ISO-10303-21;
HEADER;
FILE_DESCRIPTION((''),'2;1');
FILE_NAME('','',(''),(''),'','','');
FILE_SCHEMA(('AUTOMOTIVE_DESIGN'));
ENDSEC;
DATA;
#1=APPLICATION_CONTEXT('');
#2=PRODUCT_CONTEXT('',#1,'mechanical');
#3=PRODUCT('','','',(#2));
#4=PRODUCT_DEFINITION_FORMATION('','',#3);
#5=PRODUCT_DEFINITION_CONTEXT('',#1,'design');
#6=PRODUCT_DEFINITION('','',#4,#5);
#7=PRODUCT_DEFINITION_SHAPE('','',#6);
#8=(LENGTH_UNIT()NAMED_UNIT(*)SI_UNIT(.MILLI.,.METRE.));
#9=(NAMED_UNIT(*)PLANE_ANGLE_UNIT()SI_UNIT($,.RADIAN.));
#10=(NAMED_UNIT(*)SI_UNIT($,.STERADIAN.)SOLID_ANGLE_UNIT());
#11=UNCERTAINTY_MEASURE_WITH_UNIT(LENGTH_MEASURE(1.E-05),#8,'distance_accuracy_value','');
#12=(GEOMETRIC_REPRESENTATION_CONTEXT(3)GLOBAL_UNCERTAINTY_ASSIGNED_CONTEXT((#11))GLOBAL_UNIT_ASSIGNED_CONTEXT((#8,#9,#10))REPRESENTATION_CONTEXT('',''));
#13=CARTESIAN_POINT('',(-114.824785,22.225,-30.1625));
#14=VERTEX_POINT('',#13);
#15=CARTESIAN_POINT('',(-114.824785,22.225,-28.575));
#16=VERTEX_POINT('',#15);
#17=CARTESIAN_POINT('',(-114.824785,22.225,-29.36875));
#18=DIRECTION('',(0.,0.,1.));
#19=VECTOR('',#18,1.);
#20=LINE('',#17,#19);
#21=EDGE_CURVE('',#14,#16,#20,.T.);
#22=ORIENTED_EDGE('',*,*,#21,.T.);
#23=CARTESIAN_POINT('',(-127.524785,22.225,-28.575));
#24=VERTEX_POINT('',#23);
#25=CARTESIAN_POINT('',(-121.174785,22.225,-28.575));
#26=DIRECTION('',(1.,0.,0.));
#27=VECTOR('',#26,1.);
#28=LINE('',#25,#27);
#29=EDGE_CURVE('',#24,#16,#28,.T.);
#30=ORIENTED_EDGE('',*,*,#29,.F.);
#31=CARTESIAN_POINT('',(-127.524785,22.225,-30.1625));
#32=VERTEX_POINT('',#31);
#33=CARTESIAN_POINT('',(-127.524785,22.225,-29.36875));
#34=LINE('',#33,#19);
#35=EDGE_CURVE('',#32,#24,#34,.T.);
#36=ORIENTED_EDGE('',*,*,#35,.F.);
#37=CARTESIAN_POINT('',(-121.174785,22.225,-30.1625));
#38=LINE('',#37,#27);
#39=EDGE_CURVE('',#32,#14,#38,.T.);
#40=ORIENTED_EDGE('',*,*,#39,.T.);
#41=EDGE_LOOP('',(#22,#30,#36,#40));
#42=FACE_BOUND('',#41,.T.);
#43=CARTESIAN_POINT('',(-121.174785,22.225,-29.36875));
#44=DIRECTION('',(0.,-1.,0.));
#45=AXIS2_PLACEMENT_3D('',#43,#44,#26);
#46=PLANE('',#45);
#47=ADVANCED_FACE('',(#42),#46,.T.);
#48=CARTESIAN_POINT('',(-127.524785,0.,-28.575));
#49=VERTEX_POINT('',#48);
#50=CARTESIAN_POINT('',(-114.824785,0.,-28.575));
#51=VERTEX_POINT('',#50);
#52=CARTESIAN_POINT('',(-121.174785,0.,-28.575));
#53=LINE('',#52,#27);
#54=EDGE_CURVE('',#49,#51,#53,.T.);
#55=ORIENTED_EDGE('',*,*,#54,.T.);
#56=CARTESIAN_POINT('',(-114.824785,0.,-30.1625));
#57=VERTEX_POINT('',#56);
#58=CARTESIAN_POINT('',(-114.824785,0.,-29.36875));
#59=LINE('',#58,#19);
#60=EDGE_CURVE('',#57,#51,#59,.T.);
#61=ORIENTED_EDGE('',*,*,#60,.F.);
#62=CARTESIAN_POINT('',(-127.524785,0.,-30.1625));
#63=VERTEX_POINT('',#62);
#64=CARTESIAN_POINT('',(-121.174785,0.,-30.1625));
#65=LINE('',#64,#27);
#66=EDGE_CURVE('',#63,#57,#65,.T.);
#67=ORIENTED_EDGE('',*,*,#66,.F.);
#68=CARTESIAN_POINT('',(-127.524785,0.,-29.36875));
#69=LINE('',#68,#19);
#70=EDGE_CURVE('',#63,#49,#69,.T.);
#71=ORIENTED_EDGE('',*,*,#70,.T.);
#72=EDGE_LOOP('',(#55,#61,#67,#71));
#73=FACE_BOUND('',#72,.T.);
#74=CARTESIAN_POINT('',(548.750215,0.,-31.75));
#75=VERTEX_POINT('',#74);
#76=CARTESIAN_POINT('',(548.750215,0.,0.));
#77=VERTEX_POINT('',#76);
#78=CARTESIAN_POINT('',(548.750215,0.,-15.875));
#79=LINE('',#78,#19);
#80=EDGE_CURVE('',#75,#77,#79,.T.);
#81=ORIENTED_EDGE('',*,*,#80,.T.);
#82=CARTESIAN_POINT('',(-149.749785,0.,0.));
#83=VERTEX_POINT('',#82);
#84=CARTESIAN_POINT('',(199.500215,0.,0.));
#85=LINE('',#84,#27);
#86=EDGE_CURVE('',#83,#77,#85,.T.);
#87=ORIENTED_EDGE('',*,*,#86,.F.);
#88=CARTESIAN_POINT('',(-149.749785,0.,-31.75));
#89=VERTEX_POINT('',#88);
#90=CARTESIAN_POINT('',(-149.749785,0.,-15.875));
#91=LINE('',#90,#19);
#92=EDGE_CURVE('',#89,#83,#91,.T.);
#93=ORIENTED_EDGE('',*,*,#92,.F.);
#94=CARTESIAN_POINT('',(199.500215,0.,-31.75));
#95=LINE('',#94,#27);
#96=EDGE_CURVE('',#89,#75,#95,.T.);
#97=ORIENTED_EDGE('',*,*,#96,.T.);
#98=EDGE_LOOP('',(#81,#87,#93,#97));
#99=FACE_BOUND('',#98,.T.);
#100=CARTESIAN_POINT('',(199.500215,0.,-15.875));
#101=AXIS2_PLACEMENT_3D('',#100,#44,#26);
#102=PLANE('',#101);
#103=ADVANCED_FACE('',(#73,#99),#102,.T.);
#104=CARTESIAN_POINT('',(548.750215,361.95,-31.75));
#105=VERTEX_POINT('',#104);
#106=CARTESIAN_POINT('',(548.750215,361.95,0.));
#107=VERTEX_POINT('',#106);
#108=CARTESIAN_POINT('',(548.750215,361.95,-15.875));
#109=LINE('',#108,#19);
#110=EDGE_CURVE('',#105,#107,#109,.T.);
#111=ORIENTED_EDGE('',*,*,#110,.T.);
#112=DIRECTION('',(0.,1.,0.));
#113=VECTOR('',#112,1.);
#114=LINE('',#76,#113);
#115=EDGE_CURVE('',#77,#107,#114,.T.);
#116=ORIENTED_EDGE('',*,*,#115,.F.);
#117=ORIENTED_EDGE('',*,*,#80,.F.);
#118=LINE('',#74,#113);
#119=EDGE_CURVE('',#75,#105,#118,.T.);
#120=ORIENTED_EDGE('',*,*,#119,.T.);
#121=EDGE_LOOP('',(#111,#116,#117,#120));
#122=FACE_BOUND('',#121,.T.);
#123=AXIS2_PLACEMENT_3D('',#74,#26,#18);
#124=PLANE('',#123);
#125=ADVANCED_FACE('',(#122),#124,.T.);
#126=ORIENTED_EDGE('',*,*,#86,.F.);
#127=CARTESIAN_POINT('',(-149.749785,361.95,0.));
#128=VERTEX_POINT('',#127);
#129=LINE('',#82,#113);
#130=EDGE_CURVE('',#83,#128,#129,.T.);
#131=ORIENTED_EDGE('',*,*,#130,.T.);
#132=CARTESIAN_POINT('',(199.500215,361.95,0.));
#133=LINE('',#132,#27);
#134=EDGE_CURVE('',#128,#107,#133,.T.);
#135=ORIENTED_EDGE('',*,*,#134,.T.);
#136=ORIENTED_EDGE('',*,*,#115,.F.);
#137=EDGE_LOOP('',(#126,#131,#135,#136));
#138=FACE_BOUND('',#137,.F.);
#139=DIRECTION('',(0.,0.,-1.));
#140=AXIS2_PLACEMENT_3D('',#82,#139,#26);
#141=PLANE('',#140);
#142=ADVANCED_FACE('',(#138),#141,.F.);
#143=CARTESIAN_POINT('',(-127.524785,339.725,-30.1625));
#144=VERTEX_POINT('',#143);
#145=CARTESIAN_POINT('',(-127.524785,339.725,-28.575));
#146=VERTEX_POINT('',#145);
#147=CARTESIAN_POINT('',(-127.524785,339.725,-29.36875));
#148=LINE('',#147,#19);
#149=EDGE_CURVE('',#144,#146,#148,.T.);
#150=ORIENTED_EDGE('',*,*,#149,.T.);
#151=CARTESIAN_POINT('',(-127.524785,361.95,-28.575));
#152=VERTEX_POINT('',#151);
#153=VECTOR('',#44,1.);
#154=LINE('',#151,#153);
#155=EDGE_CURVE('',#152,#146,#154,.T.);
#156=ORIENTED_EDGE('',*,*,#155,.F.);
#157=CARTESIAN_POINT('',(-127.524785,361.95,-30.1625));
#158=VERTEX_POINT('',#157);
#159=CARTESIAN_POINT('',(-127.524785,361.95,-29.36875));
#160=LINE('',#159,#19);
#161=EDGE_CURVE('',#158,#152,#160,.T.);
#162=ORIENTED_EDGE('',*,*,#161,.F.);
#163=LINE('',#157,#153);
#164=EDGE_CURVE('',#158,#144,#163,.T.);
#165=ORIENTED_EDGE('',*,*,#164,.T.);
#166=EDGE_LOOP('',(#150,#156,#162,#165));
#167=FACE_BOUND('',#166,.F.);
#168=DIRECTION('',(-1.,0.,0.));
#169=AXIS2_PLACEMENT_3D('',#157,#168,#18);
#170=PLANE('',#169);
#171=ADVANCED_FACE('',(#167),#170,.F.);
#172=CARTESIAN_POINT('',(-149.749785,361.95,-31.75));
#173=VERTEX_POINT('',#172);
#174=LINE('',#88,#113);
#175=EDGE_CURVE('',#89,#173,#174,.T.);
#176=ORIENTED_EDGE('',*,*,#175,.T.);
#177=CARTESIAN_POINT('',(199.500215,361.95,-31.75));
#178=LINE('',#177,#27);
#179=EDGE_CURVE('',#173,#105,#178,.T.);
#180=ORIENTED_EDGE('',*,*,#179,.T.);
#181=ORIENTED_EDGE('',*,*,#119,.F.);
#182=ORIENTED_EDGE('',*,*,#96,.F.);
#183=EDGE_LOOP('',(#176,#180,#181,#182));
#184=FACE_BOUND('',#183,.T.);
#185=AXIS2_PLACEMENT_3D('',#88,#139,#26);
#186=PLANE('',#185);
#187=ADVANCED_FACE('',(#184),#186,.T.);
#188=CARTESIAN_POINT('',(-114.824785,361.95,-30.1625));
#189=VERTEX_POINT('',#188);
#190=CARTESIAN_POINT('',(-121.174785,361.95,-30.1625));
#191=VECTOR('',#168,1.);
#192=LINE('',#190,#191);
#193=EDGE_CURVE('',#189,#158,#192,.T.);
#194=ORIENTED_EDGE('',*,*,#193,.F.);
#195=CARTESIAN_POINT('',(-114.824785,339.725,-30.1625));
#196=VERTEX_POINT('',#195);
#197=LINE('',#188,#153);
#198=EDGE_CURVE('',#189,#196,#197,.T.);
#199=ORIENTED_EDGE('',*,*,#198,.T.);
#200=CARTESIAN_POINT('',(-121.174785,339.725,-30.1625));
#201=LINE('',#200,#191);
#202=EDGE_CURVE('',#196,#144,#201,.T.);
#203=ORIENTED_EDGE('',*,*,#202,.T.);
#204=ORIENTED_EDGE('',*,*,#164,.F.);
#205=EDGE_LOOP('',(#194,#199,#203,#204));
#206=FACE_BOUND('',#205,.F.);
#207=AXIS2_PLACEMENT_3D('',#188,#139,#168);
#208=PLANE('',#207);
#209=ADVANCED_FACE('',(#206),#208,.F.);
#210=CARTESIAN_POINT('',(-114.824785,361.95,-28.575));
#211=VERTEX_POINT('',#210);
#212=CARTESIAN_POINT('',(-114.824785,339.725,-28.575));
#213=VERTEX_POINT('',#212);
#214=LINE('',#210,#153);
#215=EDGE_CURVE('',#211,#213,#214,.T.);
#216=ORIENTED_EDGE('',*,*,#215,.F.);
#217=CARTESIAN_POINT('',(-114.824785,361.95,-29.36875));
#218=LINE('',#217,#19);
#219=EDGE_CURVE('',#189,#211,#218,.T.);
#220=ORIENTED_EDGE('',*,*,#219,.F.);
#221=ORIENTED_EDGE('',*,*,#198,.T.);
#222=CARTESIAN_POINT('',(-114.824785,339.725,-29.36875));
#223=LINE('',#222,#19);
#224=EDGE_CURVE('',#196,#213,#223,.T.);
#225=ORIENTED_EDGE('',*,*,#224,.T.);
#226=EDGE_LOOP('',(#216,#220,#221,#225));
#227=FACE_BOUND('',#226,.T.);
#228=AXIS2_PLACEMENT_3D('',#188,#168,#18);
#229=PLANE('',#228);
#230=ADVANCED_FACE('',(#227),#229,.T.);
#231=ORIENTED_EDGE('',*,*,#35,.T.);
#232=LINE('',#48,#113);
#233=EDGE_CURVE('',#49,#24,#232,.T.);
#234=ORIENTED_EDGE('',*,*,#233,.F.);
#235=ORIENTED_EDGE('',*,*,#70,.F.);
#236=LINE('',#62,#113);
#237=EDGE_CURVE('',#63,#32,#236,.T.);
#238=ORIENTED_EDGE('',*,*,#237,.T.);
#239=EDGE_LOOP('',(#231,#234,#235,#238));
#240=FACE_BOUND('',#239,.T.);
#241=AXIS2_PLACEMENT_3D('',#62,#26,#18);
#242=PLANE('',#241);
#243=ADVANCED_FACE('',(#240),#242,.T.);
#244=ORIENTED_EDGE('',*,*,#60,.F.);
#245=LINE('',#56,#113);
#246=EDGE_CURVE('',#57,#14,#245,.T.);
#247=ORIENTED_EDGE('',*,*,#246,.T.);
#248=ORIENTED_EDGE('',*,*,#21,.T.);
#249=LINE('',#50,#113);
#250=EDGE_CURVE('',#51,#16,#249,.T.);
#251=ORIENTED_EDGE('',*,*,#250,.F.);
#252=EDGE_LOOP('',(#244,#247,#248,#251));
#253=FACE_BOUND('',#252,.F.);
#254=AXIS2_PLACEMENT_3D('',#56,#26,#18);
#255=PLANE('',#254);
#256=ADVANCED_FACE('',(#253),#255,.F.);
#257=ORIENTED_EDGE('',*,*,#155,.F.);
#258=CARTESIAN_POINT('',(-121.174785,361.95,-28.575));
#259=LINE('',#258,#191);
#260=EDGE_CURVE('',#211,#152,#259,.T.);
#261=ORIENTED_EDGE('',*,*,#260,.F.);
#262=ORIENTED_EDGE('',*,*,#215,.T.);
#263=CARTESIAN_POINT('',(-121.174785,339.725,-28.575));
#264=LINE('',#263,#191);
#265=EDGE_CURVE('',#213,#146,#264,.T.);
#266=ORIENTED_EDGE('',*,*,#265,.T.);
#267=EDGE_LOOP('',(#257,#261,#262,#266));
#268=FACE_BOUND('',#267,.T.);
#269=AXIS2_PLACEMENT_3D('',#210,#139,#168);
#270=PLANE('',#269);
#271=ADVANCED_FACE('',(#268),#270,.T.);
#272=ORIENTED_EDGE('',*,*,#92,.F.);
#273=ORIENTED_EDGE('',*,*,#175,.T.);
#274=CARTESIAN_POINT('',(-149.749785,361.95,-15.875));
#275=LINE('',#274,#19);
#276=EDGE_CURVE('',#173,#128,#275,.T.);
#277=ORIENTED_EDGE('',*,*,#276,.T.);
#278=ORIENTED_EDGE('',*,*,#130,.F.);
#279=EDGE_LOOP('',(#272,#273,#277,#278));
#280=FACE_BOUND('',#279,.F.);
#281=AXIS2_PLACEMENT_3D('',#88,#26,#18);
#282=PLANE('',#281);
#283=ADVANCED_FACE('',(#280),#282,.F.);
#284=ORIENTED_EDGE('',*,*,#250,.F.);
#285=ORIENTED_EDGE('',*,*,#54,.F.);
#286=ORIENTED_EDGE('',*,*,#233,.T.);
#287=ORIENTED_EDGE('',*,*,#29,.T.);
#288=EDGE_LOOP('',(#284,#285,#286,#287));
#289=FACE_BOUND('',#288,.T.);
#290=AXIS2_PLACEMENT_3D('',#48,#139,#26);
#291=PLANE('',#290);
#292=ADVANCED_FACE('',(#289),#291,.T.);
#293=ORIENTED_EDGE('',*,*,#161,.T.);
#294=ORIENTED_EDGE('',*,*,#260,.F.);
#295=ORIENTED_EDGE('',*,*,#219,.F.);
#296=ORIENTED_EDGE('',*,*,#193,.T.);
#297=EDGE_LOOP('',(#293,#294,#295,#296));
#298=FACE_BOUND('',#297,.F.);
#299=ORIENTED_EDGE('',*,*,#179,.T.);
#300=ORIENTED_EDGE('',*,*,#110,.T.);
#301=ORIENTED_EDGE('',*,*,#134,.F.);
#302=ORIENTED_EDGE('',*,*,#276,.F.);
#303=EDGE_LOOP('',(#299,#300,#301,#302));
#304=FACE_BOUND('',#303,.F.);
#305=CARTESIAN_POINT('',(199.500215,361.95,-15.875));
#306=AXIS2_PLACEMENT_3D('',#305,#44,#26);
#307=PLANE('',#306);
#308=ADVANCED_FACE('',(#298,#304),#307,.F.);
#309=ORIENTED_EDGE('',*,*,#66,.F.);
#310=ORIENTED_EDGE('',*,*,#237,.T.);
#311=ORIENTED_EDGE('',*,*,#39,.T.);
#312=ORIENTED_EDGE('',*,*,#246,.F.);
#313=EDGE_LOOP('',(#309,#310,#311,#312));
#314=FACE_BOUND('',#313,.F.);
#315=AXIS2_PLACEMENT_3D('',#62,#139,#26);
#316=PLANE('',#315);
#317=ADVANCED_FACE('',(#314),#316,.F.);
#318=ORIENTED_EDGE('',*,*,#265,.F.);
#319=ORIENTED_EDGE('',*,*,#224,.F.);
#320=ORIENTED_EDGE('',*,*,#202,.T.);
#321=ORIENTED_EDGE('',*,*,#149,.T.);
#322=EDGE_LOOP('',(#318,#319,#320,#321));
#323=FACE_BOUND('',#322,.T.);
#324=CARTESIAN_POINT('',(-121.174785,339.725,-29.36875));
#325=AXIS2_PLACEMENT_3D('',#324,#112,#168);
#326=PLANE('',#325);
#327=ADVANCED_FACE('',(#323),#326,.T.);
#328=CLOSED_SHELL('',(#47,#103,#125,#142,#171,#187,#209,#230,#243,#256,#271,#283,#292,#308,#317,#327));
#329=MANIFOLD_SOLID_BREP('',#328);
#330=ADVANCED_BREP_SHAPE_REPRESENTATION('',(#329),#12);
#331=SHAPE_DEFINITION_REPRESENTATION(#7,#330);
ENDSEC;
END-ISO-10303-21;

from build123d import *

# Parameters (mm, degrees)
F0_W     = 698.5
F0_H     = 31.75
F1_DEPTH = 361.95
F2_W     = 12.7
F2_H     = 1.5875
F3_DEPTH = 22.225
F4_W     = 12.7
F4_H     = 1.5875
F5_DEPTH = 22.225


with BuildPart() as f1:
    # F0 (on Front) → F1 (new body)
    with BuildSketch(Plane.XZ):
        with Locations((199.500215, -15.875)):
            Rectangle(F0_W, F0_H)
    extrude(amount=-F1_DEPTH)

    # F2 (on face) → F3 (cut)
    with BuildSketch(Plane.XZ):
        with Locations((-121.174785, -29.36875)):
            Rectangle(F2_W, F2_H)
    extrude(amount=-F3_DEPTH, mode=Mode.SUBTRACT)

    # F4 (on face) → F5 (cut)
    with BuildSketch(Plane(origin=(0, 361.95, 0), x_dir=(-1, 0, 0), z_dir=(0, 1, 0))):
        with Locations((121.174785, -29.36875)):
            Rectangle(F4_W, F4_H)
    extrude(amount=-F5_DEPTH, mode=Mode.SUBTRACT)


solid = f1.part
